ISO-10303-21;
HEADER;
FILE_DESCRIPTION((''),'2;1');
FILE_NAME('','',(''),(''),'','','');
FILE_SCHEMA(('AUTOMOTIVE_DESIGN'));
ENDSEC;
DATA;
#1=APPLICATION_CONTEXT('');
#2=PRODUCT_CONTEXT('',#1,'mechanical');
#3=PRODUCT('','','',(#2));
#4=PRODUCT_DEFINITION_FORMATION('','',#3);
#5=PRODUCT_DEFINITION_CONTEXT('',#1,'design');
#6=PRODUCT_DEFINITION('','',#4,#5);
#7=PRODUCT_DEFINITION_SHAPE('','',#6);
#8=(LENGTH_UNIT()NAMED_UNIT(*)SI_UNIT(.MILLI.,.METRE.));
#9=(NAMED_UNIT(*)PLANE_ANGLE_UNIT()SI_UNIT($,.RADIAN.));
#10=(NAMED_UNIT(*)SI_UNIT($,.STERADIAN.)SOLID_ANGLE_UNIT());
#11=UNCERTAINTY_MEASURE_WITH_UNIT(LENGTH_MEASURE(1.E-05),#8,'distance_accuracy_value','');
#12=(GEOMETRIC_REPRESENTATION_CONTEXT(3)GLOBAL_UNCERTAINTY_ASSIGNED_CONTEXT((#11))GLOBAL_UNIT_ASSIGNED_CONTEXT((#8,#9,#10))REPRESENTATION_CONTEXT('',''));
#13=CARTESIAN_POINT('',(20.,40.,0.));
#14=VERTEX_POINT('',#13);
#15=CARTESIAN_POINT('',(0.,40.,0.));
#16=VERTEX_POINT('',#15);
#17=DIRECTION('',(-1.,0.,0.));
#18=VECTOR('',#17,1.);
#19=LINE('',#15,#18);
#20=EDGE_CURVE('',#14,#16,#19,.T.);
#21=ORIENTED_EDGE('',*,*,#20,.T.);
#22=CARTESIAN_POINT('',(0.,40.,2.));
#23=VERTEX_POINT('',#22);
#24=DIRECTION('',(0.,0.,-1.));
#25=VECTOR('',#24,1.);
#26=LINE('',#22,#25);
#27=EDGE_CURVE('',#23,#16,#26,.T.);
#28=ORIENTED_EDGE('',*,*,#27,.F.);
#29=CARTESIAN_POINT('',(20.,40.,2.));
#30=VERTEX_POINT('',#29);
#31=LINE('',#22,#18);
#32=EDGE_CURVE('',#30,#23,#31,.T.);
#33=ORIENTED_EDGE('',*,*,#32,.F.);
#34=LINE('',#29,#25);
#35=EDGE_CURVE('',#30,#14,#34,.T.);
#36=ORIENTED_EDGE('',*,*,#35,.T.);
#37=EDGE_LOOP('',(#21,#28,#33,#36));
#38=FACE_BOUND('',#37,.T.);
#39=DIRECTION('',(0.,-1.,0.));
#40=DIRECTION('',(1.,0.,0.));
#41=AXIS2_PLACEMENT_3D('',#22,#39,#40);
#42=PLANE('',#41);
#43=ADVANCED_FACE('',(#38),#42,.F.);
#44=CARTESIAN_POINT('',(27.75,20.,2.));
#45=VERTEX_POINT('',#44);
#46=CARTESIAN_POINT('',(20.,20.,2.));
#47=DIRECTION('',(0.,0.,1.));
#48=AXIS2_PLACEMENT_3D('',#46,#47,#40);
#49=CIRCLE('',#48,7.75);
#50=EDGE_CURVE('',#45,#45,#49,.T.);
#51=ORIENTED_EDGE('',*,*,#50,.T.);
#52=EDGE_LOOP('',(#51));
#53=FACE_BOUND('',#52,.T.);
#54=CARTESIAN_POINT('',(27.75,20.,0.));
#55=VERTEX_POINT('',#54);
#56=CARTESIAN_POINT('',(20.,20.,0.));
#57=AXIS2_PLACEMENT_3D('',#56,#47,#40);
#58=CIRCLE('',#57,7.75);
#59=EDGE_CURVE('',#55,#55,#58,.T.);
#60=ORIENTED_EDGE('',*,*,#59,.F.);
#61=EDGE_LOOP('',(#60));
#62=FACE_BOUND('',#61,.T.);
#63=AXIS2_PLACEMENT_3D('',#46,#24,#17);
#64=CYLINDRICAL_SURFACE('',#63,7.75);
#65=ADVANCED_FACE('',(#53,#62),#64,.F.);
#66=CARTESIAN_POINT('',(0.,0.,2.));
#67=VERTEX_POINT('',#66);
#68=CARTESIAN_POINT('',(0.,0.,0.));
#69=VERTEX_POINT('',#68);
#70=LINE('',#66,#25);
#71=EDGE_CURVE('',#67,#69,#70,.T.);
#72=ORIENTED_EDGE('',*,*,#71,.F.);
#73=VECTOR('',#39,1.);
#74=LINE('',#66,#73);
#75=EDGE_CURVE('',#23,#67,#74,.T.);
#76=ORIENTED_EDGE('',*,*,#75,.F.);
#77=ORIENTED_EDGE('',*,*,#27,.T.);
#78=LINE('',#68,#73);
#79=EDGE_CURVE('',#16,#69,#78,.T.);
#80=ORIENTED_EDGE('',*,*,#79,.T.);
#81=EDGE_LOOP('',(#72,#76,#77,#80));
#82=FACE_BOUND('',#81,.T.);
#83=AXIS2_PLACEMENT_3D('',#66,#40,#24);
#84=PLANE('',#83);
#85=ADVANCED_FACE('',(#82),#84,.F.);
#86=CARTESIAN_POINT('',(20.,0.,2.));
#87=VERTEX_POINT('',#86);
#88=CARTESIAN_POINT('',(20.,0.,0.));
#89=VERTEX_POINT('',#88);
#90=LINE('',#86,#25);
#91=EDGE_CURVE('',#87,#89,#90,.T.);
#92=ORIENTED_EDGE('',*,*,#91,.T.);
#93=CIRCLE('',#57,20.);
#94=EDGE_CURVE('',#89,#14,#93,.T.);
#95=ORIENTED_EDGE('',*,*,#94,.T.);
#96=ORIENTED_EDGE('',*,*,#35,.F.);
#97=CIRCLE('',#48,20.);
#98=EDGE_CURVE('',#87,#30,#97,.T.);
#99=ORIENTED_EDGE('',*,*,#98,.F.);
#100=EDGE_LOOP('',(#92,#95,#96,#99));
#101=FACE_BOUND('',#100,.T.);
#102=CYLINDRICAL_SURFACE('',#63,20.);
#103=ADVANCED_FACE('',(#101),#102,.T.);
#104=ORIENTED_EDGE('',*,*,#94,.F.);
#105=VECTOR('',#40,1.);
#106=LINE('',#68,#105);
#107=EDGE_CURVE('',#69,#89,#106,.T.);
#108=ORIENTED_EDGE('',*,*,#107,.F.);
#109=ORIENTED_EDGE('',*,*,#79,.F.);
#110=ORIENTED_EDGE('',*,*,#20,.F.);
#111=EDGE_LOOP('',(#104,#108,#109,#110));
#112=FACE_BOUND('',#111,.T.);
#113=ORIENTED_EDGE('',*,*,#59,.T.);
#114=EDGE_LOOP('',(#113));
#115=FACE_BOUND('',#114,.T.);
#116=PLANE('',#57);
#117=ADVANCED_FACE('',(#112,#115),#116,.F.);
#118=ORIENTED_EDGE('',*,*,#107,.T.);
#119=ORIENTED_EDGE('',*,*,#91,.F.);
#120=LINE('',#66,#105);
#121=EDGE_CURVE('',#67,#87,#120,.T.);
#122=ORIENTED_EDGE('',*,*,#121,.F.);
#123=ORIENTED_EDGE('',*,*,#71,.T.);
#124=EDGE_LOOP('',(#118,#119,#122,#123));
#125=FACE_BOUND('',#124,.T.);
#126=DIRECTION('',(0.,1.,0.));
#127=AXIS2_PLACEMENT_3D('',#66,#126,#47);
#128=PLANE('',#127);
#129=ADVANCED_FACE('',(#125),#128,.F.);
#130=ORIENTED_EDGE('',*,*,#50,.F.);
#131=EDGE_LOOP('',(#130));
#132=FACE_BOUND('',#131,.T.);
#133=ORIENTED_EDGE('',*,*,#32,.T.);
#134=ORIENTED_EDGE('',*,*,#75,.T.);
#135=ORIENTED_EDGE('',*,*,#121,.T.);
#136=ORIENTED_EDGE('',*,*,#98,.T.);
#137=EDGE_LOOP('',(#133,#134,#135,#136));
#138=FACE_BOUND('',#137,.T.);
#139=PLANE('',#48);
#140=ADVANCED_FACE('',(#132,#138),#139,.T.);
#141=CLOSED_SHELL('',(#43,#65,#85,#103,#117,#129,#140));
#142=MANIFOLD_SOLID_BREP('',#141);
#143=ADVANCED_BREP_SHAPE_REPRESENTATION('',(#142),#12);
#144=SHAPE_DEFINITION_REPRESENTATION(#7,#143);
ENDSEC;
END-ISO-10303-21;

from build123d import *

# Parameters (mm, degrees)
ESQUISSE1_R        = 7.75
BOSS_EXTRU_1_DEPTH = 2


with BuildPart() as part:
    # Esquisse1 → Boss.-Extru.1 (new body)
    with BuildSketch(Plane.XY):
        with BuildLine():
            Line((0, 0), (20, 0))
            ThreePointArc((20, 0), (40, 20), (20, 40))
            Line((20, 40), (0, 40))
            Line((0, 40), (0, 0))
        make_face()
        with Locations((20, 20)):
            Circle(ESQUISSE1_R, mode=Mode.SUBTRACT)
    extrude(amount=BOSS_EXTRU_1_DEPTH)


solid = part.part
